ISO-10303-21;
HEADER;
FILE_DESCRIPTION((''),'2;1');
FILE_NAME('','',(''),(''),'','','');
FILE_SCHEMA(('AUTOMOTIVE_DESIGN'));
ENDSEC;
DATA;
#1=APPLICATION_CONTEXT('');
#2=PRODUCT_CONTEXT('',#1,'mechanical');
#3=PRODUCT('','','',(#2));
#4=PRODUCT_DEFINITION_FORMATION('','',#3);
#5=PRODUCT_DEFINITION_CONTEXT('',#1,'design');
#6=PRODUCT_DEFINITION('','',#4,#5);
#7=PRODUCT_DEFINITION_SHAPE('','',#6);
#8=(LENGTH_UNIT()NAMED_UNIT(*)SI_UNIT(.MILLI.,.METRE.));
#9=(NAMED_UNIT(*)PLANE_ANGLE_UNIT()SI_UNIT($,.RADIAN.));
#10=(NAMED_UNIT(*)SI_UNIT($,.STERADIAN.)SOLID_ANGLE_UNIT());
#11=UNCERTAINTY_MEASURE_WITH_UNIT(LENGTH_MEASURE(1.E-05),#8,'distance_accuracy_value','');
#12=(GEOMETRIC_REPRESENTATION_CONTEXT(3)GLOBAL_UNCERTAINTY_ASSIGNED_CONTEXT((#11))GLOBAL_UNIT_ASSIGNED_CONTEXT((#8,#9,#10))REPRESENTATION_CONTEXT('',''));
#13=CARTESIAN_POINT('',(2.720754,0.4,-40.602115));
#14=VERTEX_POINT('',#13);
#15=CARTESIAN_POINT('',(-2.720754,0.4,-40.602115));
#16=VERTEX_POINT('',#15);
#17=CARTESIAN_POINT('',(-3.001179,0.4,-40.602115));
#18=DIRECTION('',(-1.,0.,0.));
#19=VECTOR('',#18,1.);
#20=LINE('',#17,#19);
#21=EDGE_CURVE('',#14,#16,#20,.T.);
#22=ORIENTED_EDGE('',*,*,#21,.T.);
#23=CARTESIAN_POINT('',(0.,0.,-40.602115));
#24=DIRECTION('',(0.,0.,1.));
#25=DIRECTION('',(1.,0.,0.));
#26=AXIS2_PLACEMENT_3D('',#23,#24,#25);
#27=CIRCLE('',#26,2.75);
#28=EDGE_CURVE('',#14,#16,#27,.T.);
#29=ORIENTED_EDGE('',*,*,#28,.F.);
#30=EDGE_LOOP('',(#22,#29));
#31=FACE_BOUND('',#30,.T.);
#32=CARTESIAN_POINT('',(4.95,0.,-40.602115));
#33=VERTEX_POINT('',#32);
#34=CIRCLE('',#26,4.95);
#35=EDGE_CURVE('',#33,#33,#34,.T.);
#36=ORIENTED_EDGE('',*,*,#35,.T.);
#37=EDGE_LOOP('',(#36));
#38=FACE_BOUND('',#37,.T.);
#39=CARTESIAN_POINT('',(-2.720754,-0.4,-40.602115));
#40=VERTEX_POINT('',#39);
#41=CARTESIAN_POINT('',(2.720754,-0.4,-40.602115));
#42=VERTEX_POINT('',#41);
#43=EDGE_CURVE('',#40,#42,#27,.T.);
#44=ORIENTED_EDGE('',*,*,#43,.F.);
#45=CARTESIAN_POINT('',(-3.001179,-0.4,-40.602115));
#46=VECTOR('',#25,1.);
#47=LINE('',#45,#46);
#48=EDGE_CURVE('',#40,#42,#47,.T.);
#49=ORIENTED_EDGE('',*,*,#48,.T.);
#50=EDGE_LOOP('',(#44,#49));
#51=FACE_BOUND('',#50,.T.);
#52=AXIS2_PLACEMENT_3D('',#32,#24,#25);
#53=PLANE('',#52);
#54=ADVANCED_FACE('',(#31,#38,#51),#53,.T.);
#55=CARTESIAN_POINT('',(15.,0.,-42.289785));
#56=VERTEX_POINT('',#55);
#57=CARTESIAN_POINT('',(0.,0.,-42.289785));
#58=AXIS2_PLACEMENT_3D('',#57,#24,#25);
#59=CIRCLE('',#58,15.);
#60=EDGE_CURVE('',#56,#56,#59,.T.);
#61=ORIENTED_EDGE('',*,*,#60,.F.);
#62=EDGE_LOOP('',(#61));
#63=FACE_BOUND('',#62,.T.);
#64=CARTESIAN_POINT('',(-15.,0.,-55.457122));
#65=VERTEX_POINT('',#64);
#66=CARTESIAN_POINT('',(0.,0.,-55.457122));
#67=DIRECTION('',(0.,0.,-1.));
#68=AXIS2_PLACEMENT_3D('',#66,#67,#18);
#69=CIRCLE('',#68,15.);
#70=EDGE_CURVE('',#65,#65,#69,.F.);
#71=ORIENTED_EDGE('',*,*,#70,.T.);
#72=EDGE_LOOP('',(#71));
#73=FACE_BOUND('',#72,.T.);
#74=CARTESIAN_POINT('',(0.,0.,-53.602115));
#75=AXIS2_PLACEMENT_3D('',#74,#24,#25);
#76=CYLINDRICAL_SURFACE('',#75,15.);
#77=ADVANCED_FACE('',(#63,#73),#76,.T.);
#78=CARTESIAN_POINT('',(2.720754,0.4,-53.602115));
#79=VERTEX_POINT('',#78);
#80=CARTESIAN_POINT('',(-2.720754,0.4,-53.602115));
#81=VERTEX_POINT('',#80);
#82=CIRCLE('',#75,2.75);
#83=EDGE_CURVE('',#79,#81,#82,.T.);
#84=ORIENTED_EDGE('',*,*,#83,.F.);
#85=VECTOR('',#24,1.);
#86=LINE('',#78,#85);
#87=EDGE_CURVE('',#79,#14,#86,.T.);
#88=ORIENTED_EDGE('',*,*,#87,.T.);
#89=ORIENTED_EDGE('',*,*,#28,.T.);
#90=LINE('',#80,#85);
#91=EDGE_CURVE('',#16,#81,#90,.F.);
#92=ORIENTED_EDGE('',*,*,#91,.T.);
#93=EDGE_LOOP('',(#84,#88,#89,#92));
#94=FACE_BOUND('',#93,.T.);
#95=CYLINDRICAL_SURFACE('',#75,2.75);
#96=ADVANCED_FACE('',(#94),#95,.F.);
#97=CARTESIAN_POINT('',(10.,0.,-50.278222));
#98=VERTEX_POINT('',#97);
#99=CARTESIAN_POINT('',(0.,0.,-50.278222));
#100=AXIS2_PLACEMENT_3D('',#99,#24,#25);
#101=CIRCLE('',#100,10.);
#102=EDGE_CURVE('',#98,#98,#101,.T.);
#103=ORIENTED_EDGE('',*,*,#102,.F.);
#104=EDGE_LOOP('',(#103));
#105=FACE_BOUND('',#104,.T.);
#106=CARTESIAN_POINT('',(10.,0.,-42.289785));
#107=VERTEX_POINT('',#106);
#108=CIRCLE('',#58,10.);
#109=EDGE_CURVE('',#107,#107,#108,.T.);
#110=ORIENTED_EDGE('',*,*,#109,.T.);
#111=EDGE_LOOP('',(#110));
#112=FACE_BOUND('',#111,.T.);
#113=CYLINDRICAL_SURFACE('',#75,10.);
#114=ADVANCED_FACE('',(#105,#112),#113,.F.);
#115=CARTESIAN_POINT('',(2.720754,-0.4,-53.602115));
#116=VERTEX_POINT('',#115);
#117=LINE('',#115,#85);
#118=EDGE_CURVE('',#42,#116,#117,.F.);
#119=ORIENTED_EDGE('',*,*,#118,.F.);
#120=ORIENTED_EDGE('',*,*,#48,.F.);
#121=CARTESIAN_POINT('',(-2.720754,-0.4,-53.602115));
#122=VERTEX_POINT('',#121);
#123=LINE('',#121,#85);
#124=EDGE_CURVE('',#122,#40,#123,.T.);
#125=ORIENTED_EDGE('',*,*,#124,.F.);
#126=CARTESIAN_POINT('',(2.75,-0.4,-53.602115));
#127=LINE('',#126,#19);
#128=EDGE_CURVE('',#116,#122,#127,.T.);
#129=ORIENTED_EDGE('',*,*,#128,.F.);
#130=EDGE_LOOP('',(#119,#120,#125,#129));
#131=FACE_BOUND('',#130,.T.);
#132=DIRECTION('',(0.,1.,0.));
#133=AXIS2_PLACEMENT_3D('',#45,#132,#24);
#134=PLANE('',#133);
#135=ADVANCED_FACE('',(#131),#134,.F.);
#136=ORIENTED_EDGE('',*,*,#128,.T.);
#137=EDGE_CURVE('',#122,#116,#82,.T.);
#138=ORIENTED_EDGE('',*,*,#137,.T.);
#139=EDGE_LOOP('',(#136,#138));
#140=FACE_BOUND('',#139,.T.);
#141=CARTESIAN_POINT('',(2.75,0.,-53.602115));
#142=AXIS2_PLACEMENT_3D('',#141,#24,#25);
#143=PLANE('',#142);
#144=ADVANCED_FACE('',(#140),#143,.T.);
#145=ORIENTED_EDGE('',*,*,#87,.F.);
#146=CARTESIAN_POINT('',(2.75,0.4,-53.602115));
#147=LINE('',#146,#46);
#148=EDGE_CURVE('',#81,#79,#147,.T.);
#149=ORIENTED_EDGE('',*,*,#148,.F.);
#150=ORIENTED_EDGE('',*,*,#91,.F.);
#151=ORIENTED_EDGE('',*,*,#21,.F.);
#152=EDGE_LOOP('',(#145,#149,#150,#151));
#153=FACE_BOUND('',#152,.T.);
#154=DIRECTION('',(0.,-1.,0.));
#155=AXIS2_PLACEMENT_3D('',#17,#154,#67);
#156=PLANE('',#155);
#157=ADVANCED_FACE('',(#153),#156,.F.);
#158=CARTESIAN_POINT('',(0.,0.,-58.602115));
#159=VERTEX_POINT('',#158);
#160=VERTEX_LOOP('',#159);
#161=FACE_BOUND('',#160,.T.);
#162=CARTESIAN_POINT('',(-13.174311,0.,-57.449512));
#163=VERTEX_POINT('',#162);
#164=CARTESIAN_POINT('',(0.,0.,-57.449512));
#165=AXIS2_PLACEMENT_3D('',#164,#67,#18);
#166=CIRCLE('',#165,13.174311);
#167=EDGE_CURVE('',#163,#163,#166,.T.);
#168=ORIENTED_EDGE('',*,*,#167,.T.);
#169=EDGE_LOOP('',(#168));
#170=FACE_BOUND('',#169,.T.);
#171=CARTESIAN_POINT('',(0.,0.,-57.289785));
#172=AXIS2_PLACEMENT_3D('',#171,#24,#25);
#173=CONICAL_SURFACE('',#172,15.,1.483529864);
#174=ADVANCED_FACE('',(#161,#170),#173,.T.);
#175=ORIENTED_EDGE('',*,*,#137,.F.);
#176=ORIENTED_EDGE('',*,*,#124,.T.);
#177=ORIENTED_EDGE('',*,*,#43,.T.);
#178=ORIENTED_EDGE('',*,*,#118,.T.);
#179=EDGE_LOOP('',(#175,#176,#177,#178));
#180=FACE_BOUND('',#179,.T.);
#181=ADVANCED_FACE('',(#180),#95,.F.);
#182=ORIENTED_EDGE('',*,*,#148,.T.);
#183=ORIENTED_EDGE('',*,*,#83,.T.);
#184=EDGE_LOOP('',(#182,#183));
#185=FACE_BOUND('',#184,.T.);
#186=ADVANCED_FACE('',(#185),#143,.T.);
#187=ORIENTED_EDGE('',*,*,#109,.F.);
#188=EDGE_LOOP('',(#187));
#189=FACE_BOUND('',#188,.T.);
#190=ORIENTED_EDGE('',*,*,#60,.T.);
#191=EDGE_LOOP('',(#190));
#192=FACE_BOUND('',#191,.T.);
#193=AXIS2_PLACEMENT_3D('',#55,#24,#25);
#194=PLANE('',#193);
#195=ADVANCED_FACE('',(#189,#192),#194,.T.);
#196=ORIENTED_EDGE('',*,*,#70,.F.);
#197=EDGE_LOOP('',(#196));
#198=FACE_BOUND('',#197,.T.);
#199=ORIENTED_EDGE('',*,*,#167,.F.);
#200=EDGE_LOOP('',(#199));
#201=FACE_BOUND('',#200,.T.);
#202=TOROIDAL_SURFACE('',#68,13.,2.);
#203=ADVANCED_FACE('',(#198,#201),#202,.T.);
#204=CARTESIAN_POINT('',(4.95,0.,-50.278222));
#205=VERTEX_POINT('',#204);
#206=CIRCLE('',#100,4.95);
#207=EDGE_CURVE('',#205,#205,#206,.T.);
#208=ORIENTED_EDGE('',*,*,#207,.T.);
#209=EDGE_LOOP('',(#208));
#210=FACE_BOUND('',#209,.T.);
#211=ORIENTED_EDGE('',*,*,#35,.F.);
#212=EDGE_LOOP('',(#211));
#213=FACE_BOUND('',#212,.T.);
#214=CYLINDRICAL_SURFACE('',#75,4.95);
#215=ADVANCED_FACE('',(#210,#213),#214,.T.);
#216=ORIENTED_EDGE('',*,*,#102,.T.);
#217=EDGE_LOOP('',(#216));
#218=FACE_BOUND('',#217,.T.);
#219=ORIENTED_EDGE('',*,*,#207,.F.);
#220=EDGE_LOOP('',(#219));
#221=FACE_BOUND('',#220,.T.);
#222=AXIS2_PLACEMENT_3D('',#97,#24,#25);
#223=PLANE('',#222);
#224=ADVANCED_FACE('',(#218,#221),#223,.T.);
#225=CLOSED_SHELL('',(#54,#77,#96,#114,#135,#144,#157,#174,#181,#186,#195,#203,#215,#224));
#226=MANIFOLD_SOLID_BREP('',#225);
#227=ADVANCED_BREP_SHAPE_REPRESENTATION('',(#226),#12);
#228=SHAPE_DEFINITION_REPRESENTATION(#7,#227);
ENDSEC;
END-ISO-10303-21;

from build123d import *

# Parameters (mm, degrees)
FILLET1_R           = 2
SKETCH5_W           = 5.905041088
SKETCH5_H           = 0.8
BOSS_EXTRUDE4_DEPTH = 13


with BuildPart() as part:
    # Sketch1 → Revolve1 (revolve)
    with BuildSketch(Plane(origin=(0, 0, 0), x_dir=(1, 0, 0), z_dir=(0, 1, 0))):
        Polygon((2.75, 40.602114639), (2.75, 53.602114639), (0, 53.602114639), (0, 58.602114639), (15, 57.289784686), (15, 42.289784686), (10, 42.289784686), (10, 50.278222223), (4.95, 50.278222223), (4.95, 40.602114639), align=None)
    revolve(axis=Axis((0, 0, -53.602114639), (0, 0, -1)))

    # Fillet1
    fillet1_edges = [part.edges().sort_by_distance(p)[0] for p in [
        (-15, 0, -57.289784686),
    ]]
    fillet(fillet1_edges, radius=FILLET1_R)

    # Sketch5 → Boss-Extrude4 (add)
    with BuildSketch(Plane.XY.offset(-53.602114639)):
        with Locations((-0.048658074, 0)):
            Rectangle(SKETCH5_W, SKETCH5_H)
    extrude(amount=BOSS_EXTRUDE4_DEPTH)


solid = part.part
